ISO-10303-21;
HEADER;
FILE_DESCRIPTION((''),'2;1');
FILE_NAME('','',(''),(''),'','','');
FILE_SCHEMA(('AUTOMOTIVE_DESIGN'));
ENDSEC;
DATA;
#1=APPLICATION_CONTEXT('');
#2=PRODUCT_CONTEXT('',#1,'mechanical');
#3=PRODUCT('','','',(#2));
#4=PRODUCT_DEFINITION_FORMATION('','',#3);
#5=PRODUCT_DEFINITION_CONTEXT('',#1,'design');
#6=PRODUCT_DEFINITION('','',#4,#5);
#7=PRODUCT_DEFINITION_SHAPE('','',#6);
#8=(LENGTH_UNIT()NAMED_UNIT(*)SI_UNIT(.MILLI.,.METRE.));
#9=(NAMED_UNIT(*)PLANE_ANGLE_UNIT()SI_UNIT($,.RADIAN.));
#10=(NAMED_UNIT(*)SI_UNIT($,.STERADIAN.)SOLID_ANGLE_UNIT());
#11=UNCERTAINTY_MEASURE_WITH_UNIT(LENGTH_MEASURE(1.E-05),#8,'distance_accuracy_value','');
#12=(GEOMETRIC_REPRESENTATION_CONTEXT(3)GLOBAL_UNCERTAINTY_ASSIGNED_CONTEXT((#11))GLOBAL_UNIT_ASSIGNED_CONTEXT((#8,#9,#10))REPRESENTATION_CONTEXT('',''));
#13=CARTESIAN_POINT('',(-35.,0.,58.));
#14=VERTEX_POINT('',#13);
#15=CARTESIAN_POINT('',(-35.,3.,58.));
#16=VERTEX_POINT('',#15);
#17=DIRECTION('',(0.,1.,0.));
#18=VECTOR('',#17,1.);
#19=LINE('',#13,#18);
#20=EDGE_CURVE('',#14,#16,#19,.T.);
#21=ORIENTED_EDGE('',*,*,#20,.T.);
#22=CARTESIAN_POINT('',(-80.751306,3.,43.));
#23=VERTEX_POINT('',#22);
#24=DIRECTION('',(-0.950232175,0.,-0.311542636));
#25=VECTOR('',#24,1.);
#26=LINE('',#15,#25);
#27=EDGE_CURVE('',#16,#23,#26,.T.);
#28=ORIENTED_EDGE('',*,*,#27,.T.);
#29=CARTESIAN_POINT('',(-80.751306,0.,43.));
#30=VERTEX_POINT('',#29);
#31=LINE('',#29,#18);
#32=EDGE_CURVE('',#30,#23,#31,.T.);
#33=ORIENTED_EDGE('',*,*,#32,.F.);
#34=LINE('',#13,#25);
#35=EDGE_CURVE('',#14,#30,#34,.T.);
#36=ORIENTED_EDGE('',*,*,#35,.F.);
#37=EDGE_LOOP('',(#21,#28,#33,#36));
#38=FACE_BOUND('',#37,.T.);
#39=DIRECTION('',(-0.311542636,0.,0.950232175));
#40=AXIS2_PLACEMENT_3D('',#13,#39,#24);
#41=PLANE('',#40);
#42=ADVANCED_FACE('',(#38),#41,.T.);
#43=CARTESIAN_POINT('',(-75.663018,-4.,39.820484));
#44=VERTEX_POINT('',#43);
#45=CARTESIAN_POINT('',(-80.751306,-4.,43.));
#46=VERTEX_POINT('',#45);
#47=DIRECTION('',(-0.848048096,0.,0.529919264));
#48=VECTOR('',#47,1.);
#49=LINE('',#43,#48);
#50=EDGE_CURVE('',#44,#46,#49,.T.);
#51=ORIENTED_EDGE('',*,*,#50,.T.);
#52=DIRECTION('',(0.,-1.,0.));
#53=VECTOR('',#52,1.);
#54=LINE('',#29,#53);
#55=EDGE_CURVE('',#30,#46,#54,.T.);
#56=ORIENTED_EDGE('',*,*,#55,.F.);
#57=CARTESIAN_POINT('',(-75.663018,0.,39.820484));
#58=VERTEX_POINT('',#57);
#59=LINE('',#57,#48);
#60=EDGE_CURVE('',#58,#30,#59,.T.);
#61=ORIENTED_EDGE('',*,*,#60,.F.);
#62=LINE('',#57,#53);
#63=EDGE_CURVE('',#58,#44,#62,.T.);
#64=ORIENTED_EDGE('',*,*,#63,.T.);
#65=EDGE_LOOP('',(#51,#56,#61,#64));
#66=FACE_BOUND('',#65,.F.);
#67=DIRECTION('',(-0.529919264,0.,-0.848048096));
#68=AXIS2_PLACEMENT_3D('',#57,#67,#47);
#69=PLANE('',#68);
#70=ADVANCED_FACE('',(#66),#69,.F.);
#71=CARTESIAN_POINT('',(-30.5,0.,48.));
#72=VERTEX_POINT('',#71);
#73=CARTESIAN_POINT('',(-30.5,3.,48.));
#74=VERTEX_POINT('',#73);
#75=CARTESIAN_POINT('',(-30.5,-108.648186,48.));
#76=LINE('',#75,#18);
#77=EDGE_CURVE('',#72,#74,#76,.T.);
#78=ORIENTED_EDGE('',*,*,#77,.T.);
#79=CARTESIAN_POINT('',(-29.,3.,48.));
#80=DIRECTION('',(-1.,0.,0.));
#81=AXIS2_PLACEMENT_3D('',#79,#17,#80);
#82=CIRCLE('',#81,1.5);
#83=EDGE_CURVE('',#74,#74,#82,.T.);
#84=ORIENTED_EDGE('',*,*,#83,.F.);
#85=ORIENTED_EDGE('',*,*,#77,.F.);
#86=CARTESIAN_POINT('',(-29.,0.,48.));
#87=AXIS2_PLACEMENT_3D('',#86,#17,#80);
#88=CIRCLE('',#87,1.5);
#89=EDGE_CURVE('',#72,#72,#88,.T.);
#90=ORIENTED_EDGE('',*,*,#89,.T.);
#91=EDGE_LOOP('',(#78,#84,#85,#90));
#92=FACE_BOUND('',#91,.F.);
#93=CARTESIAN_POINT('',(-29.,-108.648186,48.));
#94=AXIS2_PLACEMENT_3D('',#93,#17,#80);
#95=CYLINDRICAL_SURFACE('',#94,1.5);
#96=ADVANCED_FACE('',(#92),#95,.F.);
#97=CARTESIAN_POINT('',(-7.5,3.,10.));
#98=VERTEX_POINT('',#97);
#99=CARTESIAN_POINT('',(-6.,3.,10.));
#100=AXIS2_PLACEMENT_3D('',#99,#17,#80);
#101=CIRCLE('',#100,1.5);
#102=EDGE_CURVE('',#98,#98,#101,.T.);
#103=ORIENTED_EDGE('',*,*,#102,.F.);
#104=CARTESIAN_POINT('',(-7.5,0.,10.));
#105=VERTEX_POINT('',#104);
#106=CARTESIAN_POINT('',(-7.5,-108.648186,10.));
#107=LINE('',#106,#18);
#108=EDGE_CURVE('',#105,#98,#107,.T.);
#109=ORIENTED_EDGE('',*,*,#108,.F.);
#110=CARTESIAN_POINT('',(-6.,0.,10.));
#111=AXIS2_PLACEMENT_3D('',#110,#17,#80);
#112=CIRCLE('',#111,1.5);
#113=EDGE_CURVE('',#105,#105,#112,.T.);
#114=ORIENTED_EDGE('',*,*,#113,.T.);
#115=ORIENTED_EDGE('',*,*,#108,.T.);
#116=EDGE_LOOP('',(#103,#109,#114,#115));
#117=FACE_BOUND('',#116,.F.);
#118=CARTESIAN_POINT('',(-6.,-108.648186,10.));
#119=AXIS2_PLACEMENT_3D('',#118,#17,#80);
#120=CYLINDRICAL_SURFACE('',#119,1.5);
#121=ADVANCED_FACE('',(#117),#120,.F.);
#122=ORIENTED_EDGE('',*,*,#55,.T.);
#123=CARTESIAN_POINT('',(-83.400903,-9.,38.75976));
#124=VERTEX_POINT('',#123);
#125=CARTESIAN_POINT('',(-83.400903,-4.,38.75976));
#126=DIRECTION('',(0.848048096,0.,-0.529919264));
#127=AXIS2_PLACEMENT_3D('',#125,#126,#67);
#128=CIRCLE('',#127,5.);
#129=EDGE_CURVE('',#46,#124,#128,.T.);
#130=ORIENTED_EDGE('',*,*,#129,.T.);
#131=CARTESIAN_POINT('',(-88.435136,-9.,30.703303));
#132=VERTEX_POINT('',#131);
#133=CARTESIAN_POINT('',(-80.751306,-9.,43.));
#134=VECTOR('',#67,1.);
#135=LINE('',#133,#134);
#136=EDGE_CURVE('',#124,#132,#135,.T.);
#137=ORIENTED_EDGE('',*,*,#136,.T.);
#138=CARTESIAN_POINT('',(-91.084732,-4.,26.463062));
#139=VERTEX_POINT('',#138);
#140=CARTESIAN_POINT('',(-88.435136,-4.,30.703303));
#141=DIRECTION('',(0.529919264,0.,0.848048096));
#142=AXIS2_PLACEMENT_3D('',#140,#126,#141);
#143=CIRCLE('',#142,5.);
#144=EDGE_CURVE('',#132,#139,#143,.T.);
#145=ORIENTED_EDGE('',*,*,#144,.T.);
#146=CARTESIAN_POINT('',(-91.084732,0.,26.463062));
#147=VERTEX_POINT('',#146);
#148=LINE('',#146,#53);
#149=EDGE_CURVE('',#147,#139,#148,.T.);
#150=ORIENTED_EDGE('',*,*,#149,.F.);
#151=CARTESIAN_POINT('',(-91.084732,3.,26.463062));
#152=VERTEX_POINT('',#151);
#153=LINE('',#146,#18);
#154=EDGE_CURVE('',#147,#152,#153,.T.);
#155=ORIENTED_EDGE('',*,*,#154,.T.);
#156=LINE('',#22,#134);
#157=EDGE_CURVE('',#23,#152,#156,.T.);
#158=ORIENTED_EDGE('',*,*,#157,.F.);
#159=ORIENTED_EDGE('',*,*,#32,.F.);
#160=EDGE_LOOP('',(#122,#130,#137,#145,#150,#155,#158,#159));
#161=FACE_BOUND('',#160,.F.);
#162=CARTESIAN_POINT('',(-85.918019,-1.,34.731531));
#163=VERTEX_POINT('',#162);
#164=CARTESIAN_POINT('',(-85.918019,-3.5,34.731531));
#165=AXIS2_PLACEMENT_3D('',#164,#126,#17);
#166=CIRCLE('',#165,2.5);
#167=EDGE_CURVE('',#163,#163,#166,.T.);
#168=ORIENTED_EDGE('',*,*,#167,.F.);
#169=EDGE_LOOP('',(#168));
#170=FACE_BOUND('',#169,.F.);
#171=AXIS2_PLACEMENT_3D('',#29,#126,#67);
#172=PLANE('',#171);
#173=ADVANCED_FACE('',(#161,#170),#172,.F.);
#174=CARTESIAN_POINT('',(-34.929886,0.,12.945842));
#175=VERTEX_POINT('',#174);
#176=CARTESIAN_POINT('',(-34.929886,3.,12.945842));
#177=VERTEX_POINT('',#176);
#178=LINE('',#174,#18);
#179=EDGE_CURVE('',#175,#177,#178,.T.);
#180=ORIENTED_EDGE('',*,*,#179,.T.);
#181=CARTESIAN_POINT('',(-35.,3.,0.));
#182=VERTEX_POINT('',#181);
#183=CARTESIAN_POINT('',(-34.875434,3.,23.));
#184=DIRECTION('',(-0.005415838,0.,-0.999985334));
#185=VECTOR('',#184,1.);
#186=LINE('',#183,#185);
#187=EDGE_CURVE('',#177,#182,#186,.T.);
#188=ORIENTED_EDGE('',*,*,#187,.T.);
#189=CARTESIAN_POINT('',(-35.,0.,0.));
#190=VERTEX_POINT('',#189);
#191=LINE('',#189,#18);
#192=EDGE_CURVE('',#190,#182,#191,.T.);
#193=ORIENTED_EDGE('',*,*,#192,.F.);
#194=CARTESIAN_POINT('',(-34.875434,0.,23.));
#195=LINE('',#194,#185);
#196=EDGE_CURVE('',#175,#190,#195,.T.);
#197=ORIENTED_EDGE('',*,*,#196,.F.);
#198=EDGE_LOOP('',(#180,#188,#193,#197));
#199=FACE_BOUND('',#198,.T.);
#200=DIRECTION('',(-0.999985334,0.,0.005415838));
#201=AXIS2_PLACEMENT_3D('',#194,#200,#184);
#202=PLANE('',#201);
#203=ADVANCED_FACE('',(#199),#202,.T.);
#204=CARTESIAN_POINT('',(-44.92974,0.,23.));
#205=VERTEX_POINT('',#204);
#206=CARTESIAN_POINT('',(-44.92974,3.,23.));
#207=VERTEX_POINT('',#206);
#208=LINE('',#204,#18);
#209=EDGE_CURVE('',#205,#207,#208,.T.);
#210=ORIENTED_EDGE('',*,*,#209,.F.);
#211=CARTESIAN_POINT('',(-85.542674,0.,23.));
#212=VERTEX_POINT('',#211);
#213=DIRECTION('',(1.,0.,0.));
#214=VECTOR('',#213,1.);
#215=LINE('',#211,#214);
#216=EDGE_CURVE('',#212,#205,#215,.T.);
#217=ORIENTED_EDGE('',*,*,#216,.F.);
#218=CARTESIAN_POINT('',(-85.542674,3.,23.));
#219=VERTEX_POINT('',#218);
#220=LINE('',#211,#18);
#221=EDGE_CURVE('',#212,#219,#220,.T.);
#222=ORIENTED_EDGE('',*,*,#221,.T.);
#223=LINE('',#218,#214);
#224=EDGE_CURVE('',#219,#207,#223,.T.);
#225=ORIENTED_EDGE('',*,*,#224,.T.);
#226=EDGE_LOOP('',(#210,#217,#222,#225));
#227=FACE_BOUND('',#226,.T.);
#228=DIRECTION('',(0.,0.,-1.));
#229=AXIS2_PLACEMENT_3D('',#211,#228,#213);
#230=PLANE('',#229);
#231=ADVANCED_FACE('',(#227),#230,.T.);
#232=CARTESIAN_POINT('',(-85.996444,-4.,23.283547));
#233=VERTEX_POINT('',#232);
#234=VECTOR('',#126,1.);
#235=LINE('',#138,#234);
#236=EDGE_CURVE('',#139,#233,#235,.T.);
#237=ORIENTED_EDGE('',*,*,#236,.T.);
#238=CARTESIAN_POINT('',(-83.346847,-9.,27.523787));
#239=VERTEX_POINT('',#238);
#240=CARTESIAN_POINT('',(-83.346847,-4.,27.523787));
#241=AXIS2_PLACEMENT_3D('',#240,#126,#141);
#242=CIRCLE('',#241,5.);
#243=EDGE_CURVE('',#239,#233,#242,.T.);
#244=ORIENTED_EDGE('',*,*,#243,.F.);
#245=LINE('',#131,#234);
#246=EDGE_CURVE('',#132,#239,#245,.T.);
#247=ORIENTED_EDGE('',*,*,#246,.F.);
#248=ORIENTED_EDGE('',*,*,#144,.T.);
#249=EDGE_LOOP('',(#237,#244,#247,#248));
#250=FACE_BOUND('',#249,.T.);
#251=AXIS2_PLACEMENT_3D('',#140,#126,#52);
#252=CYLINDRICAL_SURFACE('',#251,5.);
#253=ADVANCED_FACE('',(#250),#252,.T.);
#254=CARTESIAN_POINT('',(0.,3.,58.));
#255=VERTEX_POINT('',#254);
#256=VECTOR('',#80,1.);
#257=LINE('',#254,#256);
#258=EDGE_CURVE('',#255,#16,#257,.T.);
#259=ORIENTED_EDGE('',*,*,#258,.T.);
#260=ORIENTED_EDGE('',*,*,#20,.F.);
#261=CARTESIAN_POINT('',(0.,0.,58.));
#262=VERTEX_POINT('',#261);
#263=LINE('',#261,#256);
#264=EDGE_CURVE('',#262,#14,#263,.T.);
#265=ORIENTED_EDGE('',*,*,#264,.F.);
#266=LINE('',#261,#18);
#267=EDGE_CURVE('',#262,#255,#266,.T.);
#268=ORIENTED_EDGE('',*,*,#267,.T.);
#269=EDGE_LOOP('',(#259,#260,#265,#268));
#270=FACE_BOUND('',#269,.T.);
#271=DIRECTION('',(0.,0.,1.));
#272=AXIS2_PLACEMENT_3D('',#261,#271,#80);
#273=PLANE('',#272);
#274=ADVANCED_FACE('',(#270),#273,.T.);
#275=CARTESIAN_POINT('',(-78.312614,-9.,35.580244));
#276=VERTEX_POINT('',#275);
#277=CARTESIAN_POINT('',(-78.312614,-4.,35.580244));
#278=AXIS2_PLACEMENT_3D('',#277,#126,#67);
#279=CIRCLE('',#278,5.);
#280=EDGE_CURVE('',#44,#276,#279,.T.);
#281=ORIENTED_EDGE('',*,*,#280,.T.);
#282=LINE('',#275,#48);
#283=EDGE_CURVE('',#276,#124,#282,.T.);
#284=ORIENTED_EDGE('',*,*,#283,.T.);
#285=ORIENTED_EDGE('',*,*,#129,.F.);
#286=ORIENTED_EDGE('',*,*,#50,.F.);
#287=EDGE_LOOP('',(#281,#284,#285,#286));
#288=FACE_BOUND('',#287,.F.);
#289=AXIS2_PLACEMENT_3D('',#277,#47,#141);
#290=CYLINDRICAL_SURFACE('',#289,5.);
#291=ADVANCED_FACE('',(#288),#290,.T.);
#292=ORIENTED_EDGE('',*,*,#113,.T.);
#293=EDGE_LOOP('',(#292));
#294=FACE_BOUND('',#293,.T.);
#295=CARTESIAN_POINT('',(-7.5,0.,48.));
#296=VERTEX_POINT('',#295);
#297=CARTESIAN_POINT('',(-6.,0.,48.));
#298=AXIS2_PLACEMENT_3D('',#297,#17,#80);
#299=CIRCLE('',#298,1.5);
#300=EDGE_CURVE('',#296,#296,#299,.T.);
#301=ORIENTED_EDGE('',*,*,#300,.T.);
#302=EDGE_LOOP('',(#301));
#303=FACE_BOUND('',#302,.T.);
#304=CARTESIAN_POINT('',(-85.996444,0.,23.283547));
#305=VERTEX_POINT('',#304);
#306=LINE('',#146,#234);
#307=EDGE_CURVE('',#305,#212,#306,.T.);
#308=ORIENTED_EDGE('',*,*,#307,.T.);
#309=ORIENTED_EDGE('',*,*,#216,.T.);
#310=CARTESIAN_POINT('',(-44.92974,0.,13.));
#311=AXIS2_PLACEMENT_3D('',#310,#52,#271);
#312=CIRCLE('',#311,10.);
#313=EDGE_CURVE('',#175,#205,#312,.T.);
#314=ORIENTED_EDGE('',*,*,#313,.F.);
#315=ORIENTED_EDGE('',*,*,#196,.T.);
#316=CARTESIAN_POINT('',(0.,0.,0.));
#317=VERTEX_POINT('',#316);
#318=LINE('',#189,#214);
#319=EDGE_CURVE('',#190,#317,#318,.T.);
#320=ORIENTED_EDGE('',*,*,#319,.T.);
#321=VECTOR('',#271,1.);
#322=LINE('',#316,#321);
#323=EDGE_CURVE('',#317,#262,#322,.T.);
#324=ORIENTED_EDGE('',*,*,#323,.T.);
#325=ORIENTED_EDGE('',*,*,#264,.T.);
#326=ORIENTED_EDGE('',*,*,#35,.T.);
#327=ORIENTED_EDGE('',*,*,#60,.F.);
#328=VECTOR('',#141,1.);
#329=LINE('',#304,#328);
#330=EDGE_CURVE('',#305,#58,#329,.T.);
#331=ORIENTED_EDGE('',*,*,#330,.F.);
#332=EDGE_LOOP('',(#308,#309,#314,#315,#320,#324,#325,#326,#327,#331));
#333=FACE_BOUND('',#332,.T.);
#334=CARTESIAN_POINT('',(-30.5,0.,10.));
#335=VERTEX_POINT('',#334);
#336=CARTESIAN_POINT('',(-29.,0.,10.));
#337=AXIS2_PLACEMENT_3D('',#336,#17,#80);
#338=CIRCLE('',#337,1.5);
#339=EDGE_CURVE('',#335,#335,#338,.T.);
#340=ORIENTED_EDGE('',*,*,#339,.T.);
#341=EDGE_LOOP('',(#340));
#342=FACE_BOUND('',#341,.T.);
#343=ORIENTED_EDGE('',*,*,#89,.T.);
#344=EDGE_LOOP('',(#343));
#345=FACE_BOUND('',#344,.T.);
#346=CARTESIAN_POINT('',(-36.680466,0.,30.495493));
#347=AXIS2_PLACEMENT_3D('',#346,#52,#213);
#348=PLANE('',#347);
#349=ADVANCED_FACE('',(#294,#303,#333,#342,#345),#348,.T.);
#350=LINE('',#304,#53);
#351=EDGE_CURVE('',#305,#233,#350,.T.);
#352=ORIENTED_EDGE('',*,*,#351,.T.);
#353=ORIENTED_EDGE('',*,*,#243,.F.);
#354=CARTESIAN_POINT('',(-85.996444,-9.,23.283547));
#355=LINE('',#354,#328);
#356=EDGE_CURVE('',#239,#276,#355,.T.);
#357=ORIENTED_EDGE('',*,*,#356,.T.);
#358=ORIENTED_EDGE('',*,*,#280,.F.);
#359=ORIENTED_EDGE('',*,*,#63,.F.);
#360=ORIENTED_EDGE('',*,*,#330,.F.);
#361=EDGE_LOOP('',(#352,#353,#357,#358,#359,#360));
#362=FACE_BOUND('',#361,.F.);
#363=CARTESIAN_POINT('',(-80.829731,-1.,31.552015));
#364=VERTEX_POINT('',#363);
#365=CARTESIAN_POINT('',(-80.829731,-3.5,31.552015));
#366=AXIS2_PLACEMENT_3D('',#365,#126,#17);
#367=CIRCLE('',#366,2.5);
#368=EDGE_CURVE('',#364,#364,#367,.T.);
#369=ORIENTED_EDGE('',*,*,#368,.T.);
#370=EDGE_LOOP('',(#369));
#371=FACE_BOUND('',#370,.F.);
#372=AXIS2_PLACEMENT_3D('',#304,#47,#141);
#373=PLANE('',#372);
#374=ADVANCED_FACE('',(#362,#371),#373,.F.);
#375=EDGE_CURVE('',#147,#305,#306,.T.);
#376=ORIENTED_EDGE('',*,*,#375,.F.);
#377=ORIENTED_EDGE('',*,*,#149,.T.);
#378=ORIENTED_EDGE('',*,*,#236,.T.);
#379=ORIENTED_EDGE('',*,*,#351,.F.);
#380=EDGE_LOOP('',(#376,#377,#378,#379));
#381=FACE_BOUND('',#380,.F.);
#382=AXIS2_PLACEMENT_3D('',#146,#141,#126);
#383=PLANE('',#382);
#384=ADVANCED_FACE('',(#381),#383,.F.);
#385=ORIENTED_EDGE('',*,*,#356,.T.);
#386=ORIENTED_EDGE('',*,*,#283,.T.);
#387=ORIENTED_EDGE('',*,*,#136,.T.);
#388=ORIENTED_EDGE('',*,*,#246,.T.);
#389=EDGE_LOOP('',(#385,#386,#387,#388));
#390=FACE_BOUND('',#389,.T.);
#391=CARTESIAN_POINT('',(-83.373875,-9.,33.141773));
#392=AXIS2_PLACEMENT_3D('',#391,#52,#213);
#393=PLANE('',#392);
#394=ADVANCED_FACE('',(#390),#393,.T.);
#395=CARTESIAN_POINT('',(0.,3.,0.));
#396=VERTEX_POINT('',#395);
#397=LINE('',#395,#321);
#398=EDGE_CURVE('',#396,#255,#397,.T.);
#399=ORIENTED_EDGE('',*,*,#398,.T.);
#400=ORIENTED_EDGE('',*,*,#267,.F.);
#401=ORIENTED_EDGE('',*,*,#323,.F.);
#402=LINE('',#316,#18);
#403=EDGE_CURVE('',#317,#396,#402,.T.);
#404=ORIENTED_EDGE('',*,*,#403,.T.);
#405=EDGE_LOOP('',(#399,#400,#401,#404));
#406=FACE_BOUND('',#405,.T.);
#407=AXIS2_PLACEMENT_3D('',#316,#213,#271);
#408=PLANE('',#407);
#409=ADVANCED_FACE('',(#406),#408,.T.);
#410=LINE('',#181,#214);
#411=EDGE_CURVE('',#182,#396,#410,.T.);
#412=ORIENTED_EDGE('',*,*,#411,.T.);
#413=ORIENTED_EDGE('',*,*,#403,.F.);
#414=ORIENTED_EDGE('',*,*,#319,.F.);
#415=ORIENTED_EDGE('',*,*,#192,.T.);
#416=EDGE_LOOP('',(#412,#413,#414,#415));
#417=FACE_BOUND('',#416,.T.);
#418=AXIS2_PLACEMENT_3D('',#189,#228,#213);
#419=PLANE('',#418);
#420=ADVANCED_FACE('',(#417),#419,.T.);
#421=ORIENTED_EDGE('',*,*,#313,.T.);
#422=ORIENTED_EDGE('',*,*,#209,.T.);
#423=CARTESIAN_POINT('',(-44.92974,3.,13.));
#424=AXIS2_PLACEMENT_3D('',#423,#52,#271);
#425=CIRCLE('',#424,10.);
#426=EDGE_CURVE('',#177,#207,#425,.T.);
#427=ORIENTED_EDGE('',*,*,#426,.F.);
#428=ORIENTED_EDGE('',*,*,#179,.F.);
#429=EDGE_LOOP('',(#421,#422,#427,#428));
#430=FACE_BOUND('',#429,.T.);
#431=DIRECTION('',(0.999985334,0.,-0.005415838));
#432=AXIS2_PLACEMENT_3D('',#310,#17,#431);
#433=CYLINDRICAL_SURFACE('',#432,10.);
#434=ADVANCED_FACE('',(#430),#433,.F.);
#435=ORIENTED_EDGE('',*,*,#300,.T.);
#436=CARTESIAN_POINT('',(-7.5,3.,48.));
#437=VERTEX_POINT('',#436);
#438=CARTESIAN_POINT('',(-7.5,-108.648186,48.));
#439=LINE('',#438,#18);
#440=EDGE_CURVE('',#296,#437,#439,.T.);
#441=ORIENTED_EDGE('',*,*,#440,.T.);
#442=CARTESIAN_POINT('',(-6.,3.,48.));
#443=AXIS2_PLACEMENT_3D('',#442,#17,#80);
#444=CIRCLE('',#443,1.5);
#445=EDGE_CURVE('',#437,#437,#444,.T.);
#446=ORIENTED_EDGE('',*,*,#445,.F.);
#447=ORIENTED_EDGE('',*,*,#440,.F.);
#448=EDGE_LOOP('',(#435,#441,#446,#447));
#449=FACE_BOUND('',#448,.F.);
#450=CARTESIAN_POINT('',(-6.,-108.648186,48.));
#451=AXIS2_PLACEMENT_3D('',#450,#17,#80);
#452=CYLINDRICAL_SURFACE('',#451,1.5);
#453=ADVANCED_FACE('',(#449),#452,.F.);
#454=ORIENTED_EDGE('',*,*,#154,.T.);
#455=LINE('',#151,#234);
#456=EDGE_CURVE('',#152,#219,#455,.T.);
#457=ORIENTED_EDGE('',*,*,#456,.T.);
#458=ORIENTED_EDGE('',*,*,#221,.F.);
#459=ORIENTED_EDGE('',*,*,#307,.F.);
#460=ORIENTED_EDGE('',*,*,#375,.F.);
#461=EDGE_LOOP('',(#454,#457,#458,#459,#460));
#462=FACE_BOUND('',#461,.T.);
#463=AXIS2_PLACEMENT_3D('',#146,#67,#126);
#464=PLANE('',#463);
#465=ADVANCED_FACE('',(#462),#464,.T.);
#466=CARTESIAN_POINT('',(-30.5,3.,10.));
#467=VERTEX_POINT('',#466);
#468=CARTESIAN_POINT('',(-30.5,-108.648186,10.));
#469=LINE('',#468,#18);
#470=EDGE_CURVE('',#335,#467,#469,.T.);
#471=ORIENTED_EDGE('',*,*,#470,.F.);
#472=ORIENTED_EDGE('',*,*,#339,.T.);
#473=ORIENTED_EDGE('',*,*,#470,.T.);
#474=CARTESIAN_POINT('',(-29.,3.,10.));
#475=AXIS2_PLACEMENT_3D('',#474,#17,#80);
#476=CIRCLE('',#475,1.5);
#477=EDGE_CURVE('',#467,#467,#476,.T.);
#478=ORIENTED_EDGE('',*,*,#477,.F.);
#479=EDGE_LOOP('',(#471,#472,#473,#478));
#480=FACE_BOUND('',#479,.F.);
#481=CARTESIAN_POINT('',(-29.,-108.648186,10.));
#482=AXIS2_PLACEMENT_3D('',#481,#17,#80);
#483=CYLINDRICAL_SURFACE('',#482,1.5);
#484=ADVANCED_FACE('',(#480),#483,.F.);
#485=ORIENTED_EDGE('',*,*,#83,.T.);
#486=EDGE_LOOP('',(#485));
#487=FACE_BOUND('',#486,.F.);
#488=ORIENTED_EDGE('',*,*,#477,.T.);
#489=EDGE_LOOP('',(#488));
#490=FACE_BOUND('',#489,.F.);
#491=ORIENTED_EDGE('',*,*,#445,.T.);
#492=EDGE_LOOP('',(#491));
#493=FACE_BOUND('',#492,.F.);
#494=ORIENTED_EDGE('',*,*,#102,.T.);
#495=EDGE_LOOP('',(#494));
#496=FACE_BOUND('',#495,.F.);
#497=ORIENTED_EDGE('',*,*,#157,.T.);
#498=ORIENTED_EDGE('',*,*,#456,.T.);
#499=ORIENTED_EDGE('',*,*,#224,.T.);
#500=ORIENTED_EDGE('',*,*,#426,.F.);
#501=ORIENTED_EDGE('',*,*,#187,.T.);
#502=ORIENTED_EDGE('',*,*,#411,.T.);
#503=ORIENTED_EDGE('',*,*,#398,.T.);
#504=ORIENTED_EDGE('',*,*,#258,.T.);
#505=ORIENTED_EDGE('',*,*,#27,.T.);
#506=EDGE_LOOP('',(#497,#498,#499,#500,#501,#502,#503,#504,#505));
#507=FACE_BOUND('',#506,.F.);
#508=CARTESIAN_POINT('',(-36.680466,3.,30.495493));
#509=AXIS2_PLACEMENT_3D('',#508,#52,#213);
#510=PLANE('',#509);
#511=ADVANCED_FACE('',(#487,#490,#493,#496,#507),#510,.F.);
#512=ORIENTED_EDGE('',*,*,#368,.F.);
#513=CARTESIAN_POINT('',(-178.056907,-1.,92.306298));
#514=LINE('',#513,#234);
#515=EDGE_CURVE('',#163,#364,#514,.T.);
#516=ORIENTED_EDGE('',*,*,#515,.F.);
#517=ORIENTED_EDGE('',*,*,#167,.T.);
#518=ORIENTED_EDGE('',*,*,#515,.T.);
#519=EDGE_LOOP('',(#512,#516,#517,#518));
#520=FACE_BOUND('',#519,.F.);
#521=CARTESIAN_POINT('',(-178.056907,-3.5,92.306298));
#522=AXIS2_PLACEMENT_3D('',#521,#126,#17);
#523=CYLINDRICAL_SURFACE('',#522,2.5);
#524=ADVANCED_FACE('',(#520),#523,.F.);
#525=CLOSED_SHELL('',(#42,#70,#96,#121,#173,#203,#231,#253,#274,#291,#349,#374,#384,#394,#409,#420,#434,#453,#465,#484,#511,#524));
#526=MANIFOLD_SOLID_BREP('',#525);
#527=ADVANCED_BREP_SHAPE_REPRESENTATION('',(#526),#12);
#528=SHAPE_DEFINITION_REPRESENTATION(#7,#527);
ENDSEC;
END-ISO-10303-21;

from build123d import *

# Parameters (mm, degrees)
F1_DEPTH = 3
F4_DEPTH = 9
F5_R     = 5
F6_D     = 3
F8_D     = 5
F9_R     = 10


with BuildPart() as f1:
    # F0 (on Front) → F1 (new body)
    with BuildSketch(Plane.XZ):
        Polygon((-35, 0), (0, 0), (0, 58), (-35, 58), (-80.7513064809, 43), (-91.0847321335, 26.4630621249), (-85.5426742387, 23), (-34.875433892, 23), align=None)
    extrude(amount=-F1_DEPTH)

    # F3 (on face) → F4 (join)
    with BuildSketch(Plane.XZ):
        Polygon((-75.663017904, 39.8204844146), (-80.7513064809, 43), (-91.0847321335, 26.4630621249), (-85.9964435565, 23.2835465396), align=None)
    extrude(amount=F4_DEPTH)

    # F5
    f5_edges = [f1.edges().sort_by_distance(p)[0] for p in [
        (-78.207162, -9, 41.410242),
        (-88.540588, -9, 24.873304),
    ]]
    fillet(f5_edges, radius=F5_R)

    # F6 (through all)
    with Locations(Plane.XZ):
        with Locations((-29, 48), (-6, 48), (-6, 10), (-29, 10)):
            Hole(F6_D / 2)

    # F8 (through all)
    with Locations(Plane(origin=(-77.3992466493, 0, 48.364417092), x_dir=(0, -1, 0), z_dir=(-0.8480480962, 0, 0.5299192642))):
        with Locations((3.5, -16.0756047815)):
            Hole(F8_D / 2)

    # F9
    f9_edges = [f1.edges().sort_by_distance(p)[0] for p in [
        (-34.875434, 1.5, 23),
    ]]
    fillet(f9_edges, radius=F9_R)


solid = f1.part
